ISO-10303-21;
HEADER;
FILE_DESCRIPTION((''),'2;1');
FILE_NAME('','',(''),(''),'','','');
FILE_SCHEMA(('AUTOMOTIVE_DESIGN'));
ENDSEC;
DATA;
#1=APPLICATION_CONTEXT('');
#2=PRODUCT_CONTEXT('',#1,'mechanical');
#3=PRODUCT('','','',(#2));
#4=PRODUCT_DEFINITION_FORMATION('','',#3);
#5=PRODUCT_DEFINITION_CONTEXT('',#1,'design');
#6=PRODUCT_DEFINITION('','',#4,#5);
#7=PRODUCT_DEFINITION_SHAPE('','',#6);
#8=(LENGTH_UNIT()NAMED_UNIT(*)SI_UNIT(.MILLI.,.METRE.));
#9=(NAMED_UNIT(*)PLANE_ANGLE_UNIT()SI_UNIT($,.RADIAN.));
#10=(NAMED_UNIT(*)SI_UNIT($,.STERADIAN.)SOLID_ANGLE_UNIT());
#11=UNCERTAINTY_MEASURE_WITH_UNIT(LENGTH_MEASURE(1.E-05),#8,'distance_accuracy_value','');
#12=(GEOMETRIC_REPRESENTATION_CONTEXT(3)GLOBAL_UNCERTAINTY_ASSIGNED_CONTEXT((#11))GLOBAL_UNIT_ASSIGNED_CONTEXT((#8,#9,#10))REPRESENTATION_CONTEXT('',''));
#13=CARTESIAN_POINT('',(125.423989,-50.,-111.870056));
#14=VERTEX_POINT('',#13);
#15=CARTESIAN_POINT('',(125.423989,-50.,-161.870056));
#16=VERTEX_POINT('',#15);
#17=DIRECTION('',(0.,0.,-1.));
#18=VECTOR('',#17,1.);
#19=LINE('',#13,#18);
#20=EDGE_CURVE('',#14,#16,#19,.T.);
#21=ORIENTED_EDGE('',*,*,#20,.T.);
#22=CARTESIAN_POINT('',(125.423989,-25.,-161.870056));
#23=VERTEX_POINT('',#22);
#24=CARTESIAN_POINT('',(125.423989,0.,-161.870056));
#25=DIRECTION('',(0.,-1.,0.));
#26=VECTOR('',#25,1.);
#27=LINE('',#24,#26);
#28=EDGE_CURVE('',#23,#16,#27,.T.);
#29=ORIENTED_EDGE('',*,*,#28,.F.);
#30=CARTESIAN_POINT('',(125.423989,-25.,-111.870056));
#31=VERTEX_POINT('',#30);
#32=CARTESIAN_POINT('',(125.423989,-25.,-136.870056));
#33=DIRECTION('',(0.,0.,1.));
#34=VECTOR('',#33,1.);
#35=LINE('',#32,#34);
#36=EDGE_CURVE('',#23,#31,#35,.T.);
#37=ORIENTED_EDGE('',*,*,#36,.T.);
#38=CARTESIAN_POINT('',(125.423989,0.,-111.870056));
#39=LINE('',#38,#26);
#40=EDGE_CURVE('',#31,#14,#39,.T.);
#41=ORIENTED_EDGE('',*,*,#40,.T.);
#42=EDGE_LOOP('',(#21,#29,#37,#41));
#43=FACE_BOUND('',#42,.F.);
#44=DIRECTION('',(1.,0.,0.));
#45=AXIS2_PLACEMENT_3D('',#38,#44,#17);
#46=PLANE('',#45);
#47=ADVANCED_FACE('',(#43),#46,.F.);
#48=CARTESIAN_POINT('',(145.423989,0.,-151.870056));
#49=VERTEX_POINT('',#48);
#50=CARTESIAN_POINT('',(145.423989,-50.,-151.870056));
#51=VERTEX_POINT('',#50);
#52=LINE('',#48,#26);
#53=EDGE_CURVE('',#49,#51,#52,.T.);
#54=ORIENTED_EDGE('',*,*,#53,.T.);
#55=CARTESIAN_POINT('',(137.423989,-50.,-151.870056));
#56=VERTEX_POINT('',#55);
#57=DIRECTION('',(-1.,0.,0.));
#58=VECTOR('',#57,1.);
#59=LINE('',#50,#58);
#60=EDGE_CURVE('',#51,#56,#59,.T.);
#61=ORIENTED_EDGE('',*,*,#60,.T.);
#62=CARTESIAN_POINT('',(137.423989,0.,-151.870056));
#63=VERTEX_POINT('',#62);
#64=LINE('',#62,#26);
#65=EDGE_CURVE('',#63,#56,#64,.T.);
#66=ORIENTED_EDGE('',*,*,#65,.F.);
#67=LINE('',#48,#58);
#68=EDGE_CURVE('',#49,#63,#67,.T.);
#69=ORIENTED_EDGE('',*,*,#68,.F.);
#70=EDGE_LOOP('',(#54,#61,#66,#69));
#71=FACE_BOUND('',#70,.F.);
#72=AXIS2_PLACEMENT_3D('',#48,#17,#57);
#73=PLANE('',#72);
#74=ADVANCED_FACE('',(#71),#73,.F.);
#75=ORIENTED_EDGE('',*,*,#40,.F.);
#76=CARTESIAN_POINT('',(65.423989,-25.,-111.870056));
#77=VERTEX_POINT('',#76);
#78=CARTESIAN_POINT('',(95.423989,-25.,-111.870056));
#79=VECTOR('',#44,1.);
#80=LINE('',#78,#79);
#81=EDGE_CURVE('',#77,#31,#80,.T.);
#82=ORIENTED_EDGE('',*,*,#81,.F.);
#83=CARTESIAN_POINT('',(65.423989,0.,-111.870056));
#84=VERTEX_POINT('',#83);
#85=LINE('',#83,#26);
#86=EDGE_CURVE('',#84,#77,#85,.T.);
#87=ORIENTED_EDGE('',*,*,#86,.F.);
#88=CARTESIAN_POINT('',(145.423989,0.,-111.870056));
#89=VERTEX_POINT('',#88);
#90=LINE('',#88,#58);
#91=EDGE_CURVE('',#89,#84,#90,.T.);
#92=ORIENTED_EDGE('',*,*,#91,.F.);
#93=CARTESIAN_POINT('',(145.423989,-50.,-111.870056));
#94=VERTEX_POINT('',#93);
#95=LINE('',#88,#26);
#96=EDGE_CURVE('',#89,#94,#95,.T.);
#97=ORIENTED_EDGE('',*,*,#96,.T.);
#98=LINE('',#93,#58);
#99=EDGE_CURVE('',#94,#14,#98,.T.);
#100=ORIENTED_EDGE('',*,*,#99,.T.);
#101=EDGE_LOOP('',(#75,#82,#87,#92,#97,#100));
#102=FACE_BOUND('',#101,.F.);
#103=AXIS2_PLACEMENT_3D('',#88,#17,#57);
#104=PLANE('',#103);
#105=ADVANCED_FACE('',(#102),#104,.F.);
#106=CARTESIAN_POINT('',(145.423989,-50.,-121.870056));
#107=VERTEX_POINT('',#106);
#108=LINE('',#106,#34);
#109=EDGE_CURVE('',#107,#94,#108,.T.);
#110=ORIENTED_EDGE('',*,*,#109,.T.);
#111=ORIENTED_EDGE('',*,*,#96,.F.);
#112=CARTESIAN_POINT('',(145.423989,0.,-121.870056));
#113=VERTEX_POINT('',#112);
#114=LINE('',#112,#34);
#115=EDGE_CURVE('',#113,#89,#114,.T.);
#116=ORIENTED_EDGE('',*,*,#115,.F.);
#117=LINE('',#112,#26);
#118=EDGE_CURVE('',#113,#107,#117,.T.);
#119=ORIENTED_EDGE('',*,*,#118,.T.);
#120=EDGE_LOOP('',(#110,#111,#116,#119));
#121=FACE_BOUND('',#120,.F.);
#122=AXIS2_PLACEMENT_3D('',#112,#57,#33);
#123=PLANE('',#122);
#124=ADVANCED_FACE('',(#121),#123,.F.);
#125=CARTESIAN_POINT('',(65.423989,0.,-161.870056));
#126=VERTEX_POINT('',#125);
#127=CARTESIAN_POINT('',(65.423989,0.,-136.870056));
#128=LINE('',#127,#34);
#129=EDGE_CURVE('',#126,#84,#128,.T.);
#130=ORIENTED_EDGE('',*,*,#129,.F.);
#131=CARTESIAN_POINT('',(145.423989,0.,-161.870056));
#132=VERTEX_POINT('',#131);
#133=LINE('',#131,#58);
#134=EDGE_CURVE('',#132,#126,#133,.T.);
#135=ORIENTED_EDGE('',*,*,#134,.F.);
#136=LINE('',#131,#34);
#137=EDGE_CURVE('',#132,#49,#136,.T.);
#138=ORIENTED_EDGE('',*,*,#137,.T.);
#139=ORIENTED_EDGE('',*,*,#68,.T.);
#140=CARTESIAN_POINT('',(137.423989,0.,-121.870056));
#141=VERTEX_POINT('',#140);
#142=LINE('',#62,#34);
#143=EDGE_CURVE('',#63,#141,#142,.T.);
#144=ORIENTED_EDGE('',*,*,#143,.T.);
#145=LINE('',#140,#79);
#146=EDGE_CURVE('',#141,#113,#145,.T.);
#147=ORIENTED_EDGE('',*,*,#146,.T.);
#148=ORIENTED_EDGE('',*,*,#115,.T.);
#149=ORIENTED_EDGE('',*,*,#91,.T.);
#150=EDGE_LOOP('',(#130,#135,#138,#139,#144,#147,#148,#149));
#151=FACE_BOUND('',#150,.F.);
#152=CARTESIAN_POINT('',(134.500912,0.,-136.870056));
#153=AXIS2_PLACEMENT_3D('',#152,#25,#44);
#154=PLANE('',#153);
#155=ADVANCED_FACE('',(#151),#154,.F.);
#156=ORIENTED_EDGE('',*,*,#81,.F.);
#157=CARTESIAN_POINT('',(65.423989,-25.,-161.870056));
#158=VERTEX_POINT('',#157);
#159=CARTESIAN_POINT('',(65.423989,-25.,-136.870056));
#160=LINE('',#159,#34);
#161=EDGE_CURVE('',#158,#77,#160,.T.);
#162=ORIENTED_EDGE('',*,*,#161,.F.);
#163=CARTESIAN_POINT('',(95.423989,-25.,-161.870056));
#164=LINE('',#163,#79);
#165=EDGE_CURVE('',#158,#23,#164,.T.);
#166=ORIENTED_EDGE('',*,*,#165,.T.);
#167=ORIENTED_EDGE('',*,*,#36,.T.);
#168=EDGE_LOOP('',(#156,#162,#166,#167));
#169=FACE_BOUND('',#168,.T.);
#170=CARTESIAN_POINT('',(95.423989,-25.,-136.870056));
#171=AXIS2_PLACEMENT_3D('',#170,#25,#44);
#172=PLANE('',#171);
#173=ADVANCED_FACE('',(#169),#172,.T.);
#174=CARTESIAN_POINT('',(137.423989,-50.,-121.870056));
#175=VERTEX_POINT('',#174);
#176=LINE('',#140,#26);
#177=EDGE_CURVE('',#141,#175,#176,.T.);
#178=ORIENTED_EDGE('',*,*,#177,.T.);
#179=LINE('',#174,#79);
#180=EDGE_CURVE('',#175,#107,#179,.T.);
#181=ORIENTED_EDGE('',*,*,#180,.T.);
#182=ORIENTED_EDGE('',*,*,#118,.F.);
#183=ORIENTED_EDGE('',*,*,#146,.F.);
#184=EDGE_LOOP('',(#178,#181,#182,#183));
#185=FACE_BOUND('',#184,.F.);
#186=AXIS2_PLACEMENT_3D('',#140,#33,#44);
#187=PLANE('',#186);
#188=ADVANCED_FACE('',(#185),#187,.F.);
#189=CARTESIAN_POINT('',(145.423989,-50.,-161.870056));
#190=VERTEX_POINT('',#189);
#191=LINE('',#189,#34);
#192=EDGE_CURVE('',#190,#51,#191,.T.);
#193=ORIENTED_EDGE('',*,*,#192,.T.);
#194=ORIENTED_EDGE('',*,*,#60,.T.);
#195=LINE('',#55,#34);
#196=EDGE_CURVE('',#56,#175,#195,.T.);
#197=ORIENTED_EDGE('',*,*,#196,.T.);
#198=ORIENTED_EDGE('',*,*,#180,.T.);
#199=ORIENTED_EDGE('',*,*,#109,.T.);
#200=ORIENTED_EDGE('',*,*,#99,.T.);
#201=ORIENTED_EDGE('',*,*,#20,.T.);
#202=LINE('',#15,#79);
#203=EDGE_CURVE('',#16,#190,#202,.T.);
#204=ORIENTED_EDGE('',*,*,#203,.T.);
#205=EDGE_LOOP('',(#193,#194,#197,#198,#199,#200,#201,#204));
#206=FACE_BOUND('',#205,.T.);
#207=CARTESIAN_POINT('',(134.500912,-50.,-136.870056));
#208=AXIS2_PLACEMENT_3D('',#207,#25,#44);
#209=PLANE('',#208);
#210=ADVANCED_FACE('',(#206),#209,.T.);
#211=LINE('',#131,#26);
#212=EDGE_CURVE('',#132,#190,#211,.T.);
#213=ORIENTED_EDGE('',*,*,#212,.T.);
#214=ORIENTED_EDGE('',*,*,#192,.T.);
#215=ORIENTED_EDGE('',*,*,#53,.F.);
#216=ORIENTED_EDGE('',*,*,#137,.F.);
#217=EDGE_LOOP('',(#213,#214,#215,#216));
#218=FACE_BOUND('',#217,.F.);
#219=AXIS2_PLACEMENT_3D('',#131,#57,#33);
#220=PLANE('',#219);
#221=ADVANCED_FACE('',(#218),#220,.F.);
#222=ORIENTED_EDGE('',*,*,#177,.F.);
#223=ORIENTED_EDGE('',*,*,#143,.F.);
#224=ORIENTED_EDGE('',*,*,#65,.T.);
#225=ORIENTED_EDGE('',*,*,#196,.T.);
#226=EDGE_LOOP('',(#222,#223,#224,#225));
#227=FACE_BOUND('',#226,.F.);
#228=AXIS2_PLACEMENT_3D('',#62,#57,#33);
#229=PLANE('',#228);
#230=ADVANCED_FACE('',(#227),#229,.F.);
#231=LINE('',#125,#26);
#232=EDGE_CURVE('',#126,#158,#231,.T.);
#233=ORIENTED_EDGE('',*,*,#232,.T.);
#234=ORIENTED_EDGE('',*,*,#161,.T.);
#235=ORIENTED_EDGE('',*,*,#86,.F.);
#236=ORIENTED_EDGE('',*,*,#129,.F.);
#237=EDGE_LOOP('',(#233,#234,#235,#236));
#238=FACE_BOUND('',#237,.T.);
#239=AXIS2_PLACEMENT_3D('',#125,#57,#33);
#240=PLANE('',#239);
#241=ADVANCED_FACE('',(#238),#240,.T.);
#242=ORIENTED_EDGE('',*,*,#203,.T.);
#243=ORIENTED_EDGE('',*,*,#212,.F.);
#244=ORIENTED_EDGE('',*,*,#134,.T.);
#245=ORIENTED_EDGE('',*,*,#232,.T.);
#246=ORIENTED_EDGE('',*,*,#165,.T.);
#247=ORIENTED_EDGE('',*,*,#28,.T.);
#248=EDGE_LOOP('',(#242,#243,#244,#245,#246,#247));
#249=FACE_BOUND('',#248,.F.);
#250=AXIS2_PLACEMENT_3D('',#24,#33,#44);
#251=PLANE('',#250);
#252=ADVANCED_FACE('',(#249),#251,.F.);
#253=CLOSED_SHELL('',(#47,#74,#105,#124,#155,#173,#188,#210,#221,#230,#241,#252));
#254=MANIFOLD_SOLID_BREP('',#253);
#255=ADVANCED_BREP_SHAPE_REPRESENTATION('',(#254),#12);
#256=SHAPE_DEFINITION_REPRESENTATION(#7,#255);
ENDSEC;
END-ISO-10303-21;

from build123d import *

# Parameters (mm, degrees)
F0_W     = 60
F0_H     = 50
F1_DEPTH = 25
F2_DEPTH = 50


with BuildPart() as f1:
    # F0 (on Front) → F1 (new body)
    with BuildSketch(Plane.XZ):
        with Locations((95.423989, -136.870056)):
            Rectangle(F0_W, F0_H)
    extrude(amount=F1_DEPTH)

    # F0 (on Front) → F2 (join)
    with BuildSketch(Plane.XZ):
        Polygon((145.423989, -111.870056), (125.423989, -111.870056), (125.423989, -161.870056), (145.423989, -161.870056), (145.423989, -151.870056), (137.423989, -151.870056), (137.423989, -121.870056), (145.423989, -121.870056), align=None)
    extrude(amount=F2_DEPTH)


solid = f1.part
